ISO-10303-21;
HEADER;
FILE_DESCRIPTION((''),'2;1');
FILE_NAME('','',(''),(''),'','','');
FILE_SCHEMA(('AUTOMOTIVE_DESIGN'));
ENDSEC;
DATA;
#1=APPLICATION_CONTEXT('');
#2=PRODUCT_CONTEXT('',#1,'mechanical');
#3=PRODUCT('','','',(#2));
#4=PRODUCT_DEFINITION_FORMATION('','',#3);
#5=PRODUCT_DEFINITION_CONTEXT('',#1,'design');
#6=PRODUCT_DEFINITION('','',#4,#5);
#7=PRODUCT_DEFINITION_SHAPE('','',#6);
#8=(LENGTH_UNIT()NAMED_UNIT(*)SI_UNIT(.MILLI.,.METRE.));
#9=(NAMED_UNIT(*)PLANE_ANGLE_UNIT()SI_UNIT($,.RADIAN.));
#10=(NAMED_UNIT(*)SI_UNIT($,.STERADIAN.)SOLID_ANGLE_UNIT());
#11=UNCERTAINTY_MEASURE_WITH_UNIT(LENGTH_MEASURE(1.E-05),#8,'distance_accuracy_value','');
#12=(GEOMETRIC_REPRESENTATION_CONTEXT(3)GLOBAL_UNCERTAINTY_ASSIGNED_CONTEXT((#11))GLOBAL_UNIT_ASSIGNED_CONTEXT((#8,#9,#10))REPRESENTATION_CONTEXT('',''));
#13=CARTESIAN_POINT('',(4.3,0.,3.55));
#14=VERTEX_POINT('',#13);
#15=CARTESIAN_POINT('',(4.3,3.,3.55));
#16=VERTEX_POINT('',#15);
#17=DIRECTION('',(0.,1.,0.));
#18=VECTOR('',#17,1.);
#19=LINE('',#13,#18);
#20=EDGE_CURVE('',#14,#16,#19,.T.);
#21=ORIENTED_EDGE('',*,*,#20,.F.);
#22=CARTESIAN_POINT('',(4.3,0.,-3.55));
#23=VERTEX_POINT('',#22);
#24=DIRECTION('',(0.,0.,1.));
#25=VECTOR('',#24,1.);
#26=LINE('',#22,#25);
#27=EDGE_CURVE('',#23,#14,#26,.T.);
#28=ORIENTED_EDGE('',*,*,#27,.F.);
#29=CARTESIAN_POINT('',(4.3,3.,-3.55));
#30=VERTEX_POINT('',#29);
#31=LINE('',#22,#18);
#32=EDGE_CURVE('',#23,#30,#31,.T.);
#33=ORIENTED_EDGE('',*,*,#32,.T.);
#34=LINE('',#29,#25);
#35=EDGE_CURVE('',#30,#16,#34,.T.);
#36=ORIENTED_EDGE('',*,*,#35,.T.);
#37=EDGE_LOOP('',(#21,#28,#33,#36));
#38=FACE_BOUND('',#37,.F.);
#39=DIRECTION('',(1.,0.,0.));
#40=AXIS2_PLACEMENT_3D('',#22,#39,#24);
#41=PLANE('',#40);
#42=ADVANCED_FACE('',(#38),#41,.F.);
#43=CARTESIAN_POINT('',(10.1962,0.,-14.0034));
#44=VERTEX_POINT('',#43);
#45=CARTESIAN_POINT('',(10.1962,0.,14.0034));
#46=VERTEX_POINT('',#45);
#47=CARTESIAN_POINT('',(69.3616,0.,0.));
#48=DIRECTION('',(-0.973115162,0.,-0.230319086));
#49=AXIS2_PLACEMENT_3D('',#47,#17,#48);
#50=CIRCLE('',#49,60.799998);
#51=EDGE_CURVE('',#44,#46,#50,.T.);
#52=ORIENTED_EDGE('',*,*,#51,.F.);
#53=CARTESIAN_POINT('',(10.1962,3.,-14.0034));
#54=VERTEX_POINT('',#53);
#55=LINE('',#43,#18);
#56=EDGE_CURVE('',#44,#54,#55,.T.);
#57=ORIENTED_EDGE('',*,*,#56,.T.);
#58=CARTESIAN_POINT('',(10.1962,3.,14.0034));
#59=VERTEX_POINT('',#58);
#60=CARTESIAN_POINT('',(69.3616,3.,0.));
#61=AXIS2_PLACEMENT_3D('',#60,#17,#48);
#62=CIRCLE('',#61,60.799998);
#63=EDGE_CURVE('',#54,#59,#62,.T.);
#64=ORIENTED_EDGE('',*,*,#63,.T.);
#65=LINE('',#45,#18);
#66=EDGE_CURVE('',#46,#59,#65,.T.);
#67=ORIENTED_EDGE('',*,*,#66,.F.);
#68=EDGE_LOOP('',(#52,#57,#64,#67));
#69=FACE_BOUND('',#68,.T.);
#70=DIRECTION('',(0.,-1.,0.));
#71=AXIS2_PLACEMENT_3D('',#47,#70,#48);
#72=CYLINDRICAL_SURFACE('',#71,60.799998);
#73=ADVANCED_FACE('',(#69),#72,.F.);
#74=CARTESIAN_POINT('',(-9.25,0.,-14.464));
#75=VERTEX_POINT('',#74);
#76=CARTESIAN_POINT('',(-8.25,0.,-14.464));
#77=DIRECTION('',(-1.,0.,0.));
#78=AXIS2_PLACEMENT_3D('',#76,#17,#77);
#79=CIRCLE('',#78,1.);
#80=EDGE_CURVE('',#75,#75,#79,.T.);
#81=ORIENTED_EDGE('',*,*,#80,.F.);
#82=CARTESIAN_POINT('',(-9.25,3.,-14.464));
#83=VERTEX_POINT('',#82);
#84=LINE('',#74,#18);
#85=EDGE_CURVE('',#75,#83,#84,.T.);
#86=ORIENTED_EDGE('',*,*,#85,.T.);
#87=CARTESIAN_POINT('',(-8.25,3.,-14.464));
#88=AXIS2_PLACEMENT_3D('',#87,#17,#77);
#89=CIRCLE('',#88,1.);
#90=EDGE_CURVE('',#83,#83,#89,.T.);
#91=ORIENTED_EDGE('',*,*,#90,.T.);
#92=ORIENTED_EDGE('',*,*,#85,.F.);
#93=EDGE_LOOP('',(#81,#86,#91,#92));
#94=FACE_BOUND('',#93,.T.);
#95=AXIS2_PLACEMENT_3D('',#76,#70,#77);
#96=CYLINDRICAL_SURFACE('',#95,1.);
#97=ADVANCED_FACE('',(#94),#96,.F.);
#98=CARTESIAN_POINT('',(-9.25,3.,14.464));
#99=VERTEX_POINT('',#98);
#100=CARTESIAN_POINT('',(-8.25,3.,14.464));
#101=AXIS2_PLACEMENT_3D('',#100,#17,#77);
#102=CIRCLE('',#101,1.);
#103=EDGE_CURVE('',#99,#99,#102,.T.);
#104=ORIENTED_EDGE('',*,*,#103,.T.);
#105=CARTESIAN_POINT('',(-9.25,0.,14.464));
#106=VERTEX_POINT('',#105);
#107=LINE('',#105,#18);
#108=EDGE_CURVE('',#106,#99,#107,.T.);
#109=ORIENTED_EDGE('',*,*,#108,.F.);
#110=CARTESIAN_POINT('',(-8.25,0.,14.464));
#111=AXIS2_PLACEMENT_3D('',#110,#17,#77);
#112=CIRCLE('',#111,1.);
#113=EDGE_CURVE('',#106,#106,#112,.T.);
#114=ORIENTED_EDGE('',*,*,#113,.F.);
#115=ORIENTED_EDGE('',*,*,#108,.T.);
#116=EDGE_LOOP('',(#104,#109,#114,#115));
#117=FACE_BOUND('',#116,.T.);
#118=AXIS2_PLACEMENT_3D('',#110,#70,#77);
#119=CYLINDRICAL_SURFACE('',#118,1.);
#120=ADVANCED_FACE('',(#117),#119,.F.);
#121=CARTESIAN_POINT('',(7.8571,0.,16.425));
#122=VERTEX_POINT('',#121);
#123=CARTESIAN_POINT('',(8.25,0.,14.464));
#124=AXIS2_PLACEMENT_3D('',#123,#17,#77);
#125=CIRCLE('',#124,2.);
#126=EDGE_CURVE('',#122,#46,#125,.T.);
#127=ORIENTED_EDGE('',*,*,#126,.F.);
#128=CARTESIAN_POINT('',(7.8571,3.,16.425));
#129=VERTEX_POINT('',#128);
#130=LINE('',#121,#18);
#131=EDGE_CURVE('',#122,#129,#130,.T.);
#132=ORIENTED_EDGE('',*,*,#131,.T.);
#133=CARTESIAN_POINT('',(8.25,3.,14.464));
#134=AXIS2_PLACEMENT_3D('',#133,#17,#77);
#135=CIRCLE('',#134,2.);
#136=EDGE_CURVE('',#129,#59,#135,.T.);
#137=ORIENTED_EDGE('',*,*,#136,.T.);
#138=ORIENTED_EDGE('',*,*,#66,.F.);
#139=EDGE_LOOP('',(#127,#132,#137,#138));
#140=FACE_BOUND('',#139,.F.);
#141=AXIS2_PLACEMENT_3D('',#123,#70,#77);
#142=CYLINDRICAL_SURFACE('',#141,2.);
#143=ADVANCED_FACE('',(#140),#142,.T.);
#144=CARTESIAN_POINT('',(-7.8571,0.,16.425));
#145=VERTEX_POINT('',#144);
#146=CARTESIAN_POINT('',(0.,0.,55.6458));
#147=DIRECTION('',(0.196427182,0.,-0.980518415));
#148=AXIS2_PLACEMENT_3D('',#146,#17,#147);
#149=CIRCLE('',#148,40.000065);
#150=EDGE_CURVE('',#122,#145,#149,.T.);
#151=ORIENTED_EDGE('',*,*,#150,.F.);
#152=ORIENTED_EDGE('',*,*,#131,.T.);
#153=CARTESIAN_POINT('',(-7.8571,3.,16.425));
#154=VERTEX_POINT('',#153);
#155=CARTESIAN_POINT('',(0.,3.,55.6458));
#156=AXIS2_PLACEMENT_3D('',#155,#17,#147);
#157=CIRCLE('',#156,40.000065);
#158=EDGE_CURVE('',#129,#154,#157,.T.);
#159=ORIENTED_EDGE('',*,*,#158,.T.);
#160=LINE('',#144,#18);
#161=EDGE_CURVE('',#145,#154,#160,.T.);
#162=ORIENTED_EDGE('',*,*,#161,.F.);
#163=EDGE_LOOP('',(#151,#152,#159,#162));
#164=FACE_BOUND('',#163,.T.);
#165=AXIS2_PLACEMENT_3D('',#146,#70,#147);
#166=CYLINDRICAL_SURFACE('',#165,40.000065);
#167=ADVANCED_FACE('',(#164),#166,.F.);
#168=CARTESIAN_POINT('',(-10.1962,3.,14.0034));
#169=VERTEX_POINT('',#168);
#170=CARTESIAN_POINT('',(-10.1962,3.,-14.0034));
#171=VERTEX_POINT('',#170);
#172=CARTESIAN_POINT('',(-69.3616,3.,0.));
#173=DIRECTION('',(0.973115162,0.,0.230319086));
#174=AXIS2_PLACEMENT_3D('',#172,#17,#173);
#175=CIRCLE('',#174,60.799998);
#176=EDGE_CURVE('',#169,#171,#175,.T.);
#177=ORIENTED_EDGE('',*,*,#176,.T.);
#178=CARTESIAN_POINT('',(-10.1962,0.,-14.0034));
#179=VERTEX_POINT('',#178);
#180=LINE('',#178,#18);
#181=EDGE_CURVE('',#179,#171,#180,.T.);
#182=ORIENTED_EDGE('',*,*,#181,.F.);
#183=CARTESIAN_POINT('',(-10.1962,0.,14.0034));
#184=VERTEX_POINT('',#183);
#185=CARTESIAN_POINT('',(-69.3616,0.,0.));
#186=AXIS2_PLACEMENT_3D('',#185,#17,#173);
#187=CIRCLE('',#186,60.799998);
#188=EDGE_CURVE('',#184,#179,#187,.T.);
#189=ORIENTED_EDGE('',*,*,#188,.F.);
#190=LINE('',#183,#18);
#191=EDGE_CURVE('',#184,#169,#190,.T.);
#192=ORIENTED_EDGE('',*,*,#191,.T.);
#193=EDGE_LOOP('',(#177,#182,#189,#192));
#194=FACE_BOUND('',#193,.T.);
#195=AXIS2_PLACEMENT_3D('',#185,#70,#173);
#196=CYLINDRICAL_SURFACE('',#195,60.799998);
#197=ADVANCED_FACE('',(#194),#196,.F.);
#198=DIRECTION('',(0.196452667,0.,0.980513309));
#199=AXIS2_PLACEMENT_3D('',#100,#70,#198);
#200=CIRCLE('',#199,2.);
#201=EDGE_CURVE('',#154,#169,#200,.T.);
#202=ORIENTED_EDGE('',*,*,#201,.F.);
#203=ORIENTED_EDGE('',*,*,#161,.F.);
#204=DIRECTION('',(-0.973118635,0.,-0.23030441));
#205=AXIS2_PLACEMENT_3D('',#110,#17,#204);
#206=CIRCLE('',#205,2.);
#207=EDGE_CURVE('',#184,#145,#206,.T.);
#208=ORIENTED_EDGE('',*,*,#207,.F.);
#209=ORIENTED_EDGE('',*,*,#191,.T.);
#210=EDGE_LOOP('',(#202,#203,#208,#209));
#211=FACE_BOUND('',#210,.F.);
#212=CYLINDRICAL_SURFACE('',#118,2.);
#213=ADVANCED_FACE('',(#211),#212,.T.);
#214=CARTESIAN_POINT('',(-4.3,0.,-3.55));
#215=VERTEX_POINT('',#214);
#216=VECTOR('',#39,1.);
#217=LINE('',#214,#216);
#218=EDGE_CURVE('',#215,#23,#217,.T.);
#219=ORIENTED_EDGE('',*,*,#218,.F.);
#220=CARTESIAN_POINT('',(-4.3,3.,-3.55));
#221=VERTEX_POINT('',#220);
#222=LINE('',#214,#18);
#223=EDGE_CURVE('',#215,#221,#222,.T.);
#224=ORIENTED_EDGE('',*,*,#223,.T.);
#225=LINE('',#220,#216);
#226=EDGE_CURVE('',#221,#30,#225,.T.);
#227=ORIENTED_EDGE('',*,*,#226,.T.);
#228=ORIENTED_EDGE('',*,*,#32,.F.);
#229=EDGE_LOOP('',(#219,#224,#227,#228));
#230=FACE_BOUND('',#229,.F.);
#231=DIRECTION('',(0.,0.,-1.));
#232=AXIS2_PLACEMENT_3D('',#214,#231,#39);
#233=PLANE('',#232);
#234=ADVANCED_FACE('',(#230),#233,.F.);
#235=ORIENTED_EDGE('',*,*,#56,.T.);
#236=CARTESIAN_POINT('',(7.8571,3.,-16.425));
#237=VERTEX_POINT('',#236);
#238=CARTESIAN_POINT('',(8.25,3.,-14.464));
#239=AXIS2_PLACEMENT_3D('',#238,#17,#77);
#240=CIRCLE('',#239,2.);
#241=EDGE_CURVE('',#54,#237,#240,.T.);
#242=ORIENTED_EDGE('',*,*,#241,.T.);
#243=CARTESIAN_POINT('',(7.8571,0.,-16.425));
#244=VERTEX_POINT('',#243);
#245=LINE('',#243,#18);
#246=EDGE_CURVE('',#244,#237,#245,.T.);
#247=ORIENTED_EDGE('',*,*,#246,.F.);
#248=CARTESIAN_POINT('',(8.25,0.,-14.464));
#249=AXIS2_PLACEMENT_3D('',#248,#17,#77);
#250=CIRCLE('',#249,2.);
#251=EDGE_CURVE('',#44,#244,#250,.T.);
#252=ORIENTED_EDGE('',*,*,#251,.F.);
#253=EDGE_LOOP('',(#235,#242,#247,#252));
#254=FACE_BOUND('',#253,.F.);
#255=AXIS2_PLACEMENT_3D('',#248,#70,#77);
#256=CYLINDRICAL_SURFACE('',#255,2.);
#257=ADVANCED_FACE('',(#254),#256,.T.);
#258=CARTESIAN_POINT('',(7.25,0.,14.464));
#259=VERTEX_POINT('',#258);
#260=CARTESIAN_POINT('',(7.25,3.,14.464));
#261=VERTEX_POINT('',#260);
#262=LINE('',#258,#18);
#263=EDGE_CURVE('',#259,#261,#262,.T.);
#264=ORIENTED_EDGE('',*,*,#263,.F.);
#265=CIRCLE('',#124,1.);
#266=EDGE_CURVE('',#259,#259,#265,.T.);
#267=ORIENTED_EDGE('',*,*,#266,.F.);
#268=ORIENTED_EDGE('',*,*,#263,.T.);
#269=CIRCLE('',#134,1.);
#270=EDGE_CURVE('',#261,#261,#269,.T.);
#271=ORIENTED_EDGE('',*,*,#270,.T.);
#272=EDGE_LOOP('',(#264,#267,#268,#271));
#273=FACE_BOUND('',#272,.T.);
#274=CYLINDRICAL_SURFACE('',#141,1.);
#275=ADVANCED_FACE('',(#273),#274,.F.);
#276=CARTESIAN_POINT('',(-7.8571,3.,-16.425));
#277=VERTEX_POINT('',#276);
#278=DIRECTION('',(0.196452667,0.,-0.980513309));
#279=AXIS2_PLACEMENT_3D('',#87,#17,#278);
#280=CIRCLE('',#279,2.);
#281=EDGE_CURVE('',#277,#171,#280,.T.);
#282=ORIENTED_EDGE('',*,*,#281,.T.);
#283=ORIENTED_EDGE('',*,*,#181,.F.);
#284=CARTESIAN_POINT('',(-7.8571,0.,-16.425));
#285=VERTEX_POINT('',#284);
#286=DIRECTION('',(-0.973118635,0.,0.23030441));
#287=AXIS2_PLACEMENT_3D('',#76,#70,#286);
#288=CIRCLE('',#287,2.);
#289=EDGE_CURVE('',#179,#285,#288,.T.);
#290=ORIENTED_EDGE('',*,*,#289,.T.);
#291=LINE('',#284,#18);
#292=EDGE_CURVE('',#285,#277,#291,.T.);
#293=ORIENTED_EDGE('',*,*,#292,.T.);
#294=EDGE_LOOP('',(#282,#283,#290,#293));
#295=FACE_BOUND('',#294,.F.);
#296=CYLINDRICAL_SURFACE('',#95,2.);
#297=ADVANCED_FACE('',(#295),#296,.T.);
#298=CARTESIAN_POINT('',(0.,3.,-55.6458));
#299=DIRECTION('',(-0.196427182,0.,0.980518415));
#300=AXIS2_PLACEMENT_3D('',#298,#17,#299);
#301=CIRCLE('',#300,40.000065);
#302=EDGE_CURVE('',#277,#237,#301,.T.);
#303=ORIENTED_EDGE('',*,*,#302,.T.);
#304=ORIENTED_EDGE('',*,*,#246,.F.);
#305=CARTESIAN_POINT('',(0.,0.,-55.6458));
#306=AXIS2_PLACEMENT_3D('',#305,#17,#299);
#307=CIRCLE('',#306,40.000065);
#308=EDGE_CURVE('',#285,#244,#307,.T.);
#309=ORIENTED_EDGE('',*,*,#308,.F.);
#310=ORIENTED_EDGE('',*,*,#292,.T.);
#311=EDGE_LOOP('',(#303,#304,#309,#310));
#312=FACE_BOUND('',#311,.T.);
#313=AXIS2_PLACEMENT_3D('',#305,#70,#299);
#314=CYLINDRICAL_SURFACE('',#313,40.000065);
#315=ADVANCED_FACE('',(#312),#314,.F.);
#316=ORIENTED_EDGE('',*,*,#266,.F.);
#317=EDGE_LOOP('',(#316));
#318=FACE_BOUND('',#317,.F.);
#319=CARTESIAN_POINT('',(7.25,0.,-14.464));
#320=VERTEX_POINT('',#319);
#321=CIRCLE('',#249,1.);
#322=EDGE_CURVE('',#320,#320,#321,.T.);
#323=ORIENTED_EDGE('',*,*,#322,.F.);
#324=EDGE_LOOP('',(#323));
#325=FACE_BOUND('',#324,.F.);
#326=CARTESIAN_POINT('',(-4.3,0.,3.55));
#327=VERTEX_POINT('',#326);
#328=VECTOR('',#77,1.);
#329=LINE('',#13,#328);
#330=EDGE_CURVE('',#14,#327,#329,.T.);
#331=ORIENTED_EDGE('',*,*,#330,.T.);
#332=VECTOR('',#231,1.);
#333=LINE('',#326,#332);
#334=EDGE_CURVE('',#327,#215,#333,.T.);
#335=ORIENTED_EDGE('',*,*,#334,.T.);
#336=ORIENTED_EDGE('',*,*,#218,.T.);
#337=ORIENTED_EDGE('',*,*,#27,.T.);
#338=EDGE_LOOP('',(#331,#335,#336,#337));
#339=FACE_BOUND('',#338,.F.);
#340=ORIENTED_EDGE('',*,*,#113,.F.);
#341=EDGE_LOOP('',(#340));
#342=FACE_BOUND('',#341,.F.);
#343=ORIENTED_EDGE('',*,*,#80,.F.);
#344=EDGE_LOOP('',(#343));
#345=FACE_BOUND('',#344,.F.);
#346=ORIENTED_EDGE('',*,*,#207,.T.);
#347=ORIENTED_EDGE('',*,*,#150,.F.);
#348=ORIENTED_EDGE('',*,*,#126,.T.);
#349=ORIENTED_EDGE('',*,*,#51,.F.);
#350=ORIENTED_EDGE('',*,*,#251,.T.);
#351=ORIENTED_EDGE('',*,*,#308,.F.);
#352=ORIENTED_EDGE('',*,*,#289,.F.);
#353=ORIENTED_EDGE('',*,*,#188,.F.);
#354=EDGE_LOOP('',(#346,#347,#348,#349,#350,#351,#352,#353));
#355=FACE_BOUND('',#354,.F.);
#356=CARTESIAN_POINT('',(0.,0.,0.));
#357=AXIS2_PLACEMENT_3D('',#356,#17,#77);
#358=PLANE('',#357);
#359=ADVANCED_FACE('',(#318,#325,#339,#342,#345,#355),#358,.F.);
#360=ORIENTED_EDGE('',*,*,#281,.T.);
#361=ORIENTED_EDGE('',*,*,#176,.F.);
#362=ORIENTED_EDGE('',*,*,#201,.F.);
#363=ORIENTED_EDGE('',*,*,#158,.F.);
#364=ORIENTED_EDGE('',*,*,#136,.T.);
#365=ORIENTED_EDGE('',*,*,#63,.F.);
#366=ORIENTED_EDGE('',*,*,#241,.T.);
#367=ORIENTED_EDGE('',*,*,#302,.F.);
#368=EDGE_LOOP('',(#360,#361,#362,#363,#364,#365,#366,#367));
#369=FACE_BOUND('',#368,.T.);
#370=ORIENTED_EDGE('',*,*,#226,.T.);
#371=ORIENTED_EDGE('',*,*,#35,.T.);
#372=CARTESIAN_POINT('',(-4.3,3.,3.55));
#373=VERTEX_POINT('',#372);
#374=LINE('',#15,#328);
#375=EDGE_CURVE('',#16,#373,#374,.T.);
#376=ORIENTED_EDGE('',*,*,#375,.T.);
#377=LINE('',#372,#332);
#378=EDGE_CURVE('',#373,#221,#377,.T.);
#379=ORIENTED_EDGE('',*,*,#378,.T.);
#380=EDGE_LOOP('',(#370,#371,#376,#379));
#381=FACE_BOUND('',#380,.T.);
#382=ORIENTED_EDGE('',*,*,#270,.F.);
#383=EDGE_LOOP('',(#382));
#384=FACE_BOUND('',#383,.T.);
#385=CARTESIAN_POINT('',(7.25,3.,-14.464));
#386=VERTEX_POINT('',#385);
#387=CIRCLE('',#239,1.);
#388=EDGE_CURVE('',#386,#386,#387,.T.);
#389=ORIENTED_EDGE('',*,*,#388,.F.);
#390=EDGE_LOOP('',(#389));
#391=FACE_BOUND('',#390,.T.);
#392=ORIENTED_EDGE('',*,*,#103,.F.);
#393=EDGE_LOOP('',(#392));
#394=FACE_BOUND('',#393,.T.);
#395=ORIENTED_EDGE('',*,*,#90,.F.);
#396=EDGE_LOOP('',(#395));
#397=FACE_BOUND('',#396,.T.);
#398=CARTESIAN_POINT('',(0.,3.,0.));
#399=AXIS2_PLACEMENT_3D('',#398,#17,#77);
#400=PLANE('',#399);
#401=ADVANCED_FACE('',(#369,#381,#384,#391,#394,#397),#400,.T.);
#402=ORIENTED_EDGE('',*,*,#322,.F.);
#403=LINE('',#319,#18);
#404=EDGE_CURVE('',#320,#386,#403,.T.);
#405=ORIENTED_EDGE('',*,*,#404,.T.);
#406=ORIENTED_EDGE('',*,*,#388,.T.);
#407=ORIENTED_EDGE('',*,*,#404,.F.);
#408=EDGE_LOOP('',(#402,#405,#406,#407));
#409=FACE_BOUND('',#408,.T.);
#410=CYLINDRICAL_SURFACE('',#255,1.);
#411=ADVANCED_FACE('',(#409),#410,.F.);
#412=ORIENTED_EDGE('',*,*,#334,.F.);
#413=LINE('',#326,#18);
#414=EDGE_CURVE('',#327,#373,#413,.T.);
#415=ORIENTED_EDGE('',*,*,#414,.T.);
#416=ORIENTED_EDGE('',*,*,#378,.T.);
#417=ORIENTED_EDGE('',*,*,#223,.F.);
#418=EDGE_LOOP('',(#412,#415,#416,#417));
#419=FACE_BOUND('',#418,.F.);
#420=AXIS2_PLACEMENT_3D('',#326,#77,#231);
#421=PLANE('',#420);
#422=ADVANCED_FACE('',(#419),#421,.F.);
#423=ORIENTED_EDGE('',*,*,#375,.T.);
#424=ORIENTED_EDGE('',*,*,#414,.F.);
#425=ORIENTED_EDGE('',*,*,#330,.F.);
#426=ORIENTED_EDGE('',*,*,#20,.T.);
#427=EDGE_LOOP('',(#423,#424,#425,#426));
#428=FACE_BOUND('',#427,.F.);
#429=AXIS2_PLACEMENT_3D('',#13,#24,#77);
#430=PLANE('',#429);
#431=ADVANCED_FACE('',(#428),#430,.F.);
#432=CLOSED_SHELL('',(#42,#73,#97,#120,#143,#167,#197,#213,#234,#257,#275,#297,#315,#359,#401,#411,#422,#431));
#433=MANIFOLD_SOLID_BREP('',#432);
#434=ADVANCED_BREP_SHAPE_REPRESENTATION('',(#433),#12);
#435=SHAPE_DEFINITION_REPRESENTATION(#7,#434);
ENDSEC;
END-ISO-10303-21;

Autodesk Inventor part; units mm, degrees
ref_plane "YZ Plane" through (0, 0, 0) normal (1, 0, 0) x (0, 1, 0)
ref_plane "XZ Plane" through (0, 0, 0) normal (0, 1, 0) x (-1, 0, 0)
ref_plane "XY Plane" through (0, 0, 0) normal (0, 0, 1) x (1, 0, 0)
sketch "Sketch1" plane through (0, 0, 0) normal (0, 1, 0) x (-1, 0, 0)
  line L0 (-8.25, 14.464) -> (8.25, 14.464) construction
  line L1 (8.25, 14.464) -> (8.25, -14.464) construction
  line L2 (8.25, -14.464) -> (-8.25, -14.464) construction
  line L3 (-8.25, -14.464) -> (-8.25, 14.464) construction
  line L4 (-8.25, 14.464) -> (8.25, -14.464) construction
  line L5 (8.25, 14.464) -> (-8.25, -14.464) construction
  circle A0 centre (8.25, 14.464) radius 1
  circle A1 centre (8.25, -14.464) radius 1
  circle A2 centre (-8.25, -14.464) radius 1
  circle A3 centre (-8.25, 14.464) radius 1
  line L6 (-4.3, 3.55) -> (4.3, 3.55)
  line L7 (4.3, 3.55) -> (4.3, -3.55)
  line L8 (4.3, -3.55) -> (-4.3, -3.55)
  line L9 (-4.3, -3.55) -> (-4.3, 3.55)
  line L10 (-4.3, 3.55) -> (4.3, -3.55) construction
  line L11 (4.3, 3.55) -> (-4.3, -3.55) construction
  circle A4 centre (8.25, 14.464) radius 2
  circle A5 centre (8.25, -14.464) radius 2
  circle A6 centre (-8.25, -14.464) radius 2
  circle A7 centre (-8.25, 14.464) radius 2
  arc A8 (10.1962, 14.0034) -> (10.1962, -14.0034) centre (69.3616, 0) ccw
  arc A9 (-10.1962, -14.0034) -> (-10.1962, 14.0034) centre (-69.3616, 0) ccw
  arc A10 (7.8571, -16.425) -> (-7.8571, -16.425) centre (0, -55.6458) ccw
  arc A11 (-7.8571, 16.425) -> (7.8571, 16.425) centre (0, 55.6458) ccw
  point P0 (0, 0)
  dimension "d0" = 16.5
  dimension "d1" = 28.928
  dimension "d2" = 2
  dimension "d3" = 2
  dimension "d4" = 2
  dimension "d5" = 2
  dimension "d6" = 8.6
  dimension "d7" = 7.1
  dimension "d8" = 4
  dimension "d9" = 4
  dimension "d10" = 4
  dimension "d11" = 4
  dimension "d12" = 60.8
  dimension "d13" = 60.8
  dimension "d14" = 40
  dimension "d15" = 40
extrude "Extrusion1" add sketch "Sketch1" along normal blind 3
properties part number "Seal_plate"
